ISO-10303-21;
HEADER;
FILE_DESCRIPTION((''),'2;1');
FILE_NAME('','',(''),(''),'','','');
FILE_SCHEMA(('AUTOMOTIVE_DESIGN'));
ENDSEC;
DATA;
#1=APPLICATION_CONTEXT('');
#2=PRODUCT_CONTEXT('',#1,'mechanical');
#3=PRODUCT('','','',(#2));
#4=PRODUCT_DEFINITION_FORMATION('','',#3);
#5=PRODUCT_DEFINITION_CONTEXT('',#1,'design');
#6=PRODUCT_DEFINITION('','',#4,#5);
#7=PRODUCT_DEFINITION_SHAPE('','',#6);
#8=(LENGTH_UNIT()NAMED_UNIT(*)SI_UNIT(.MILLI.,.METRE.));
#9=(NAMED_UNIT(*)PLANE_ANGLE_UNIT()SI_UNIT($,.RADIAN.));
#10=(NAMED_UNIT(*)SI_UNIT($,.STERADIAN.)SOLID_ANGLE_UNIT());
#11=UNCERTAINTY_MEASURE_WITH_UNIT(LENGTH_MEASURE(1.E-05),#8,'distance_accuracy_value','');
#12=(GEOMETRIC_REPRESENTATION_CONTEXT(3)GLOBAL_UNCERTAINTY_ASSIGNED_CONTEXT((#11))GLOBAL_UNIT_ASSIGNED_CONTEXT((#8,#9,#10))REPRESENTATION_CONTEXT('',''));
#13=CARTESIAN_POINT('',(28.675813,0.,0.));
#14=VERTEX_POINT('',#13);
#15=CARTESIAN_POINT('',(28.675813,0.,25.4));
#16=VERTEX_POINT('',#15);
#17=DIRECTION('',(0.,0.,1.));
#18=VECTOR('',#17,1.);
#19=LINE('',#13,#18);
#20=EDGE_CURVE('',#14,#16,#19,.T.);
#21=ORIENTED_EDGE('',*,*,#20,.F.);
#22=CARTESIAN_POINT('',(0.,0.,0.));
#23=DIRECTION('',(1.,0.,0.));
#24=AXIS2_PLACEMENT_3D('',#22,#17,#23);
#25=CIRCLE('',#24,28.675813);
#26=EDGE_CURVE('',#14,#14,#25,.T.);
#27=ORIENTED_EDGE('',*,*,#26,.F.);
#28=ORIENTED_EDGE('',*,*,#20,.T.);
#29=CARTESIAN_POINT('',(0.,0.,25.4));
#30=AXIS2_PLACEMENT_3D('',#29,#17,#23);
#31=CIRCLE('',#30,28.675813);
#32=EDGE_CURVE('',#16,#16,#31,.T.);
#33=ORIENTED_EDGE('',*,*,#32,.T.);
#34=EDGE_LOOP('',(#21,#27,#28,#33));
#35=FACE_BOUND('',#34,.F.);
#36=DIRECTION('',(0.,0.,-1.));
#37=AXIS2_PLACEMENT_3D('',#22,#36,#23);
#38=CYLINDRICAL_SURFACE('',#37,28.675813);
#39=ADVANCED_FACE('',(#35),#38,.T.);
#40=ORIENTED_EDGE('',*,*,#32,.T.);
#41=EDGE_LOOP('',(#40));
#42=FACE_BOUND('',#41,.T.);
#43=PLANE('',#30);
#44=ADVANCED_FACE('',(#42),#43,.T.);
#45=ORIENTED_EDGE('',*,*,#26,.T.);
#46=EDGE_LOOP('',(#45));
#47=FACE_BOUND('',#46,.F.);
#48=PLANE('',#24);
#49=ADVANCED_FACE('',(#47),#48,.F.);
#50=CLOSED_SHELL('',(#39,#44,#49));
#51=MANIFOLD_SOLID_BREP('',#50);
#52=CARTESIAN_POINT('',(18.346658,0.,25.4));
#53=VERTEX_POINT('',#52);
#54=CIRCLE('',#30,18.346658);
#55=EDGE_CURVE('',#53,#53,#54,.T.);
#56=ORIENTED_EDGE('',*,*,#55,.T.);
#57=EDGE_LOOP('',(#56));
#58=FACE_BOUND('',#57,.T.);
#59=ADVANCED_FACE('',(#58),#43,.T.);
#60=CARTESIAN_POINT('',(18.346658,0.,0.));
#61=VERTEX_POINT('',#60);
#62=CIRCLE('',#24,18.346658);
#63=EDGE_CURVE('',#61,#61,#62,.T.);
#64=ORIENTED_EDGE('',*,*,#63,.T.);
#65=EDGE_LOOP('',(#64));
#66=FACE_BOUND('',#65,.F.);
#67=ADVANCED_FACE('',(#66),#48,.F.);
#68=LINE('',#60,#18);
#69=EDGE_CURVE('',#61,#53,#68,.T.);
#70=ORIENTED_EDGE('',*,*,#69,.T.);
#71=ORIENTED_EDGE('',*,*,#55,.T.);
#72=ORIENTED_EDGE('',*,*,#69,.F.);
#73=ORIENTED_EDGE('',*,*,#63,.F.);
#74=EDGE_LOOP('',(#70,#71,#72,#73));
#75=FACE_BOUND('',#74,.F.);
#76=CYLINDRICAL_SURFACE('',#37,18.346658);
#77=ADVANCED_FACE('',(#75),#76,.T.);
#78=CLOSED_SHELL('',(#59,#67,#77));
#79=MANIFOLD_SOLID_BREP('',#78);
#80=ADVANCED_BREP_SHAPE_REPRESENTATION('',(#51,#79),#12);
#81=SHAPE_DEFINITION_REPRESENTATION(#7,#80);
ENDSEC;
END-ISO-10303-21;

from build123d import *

# Parameters (mm, degrees)
F1_R     = 18.3466580563
F2_DEPTH = 25.4
F0_R     = 28.6758128963


with BuildPart() as f2:
    # F1 (on Top) → F2 (new body)
    with BuildSketch(Plane.XY):
        Circle(F1_R)
    extrude(amount=F2_DEPTH)


with BuildPart() as f2b:
    # F0 (on Top) → F2, piece 2 (new body)
    with BuildSketch(Plane.XY):
        Circle(F0_R)
    extrude(amount=F2_DEPTH)


solid = Compound([f2.part, f2b.part])
